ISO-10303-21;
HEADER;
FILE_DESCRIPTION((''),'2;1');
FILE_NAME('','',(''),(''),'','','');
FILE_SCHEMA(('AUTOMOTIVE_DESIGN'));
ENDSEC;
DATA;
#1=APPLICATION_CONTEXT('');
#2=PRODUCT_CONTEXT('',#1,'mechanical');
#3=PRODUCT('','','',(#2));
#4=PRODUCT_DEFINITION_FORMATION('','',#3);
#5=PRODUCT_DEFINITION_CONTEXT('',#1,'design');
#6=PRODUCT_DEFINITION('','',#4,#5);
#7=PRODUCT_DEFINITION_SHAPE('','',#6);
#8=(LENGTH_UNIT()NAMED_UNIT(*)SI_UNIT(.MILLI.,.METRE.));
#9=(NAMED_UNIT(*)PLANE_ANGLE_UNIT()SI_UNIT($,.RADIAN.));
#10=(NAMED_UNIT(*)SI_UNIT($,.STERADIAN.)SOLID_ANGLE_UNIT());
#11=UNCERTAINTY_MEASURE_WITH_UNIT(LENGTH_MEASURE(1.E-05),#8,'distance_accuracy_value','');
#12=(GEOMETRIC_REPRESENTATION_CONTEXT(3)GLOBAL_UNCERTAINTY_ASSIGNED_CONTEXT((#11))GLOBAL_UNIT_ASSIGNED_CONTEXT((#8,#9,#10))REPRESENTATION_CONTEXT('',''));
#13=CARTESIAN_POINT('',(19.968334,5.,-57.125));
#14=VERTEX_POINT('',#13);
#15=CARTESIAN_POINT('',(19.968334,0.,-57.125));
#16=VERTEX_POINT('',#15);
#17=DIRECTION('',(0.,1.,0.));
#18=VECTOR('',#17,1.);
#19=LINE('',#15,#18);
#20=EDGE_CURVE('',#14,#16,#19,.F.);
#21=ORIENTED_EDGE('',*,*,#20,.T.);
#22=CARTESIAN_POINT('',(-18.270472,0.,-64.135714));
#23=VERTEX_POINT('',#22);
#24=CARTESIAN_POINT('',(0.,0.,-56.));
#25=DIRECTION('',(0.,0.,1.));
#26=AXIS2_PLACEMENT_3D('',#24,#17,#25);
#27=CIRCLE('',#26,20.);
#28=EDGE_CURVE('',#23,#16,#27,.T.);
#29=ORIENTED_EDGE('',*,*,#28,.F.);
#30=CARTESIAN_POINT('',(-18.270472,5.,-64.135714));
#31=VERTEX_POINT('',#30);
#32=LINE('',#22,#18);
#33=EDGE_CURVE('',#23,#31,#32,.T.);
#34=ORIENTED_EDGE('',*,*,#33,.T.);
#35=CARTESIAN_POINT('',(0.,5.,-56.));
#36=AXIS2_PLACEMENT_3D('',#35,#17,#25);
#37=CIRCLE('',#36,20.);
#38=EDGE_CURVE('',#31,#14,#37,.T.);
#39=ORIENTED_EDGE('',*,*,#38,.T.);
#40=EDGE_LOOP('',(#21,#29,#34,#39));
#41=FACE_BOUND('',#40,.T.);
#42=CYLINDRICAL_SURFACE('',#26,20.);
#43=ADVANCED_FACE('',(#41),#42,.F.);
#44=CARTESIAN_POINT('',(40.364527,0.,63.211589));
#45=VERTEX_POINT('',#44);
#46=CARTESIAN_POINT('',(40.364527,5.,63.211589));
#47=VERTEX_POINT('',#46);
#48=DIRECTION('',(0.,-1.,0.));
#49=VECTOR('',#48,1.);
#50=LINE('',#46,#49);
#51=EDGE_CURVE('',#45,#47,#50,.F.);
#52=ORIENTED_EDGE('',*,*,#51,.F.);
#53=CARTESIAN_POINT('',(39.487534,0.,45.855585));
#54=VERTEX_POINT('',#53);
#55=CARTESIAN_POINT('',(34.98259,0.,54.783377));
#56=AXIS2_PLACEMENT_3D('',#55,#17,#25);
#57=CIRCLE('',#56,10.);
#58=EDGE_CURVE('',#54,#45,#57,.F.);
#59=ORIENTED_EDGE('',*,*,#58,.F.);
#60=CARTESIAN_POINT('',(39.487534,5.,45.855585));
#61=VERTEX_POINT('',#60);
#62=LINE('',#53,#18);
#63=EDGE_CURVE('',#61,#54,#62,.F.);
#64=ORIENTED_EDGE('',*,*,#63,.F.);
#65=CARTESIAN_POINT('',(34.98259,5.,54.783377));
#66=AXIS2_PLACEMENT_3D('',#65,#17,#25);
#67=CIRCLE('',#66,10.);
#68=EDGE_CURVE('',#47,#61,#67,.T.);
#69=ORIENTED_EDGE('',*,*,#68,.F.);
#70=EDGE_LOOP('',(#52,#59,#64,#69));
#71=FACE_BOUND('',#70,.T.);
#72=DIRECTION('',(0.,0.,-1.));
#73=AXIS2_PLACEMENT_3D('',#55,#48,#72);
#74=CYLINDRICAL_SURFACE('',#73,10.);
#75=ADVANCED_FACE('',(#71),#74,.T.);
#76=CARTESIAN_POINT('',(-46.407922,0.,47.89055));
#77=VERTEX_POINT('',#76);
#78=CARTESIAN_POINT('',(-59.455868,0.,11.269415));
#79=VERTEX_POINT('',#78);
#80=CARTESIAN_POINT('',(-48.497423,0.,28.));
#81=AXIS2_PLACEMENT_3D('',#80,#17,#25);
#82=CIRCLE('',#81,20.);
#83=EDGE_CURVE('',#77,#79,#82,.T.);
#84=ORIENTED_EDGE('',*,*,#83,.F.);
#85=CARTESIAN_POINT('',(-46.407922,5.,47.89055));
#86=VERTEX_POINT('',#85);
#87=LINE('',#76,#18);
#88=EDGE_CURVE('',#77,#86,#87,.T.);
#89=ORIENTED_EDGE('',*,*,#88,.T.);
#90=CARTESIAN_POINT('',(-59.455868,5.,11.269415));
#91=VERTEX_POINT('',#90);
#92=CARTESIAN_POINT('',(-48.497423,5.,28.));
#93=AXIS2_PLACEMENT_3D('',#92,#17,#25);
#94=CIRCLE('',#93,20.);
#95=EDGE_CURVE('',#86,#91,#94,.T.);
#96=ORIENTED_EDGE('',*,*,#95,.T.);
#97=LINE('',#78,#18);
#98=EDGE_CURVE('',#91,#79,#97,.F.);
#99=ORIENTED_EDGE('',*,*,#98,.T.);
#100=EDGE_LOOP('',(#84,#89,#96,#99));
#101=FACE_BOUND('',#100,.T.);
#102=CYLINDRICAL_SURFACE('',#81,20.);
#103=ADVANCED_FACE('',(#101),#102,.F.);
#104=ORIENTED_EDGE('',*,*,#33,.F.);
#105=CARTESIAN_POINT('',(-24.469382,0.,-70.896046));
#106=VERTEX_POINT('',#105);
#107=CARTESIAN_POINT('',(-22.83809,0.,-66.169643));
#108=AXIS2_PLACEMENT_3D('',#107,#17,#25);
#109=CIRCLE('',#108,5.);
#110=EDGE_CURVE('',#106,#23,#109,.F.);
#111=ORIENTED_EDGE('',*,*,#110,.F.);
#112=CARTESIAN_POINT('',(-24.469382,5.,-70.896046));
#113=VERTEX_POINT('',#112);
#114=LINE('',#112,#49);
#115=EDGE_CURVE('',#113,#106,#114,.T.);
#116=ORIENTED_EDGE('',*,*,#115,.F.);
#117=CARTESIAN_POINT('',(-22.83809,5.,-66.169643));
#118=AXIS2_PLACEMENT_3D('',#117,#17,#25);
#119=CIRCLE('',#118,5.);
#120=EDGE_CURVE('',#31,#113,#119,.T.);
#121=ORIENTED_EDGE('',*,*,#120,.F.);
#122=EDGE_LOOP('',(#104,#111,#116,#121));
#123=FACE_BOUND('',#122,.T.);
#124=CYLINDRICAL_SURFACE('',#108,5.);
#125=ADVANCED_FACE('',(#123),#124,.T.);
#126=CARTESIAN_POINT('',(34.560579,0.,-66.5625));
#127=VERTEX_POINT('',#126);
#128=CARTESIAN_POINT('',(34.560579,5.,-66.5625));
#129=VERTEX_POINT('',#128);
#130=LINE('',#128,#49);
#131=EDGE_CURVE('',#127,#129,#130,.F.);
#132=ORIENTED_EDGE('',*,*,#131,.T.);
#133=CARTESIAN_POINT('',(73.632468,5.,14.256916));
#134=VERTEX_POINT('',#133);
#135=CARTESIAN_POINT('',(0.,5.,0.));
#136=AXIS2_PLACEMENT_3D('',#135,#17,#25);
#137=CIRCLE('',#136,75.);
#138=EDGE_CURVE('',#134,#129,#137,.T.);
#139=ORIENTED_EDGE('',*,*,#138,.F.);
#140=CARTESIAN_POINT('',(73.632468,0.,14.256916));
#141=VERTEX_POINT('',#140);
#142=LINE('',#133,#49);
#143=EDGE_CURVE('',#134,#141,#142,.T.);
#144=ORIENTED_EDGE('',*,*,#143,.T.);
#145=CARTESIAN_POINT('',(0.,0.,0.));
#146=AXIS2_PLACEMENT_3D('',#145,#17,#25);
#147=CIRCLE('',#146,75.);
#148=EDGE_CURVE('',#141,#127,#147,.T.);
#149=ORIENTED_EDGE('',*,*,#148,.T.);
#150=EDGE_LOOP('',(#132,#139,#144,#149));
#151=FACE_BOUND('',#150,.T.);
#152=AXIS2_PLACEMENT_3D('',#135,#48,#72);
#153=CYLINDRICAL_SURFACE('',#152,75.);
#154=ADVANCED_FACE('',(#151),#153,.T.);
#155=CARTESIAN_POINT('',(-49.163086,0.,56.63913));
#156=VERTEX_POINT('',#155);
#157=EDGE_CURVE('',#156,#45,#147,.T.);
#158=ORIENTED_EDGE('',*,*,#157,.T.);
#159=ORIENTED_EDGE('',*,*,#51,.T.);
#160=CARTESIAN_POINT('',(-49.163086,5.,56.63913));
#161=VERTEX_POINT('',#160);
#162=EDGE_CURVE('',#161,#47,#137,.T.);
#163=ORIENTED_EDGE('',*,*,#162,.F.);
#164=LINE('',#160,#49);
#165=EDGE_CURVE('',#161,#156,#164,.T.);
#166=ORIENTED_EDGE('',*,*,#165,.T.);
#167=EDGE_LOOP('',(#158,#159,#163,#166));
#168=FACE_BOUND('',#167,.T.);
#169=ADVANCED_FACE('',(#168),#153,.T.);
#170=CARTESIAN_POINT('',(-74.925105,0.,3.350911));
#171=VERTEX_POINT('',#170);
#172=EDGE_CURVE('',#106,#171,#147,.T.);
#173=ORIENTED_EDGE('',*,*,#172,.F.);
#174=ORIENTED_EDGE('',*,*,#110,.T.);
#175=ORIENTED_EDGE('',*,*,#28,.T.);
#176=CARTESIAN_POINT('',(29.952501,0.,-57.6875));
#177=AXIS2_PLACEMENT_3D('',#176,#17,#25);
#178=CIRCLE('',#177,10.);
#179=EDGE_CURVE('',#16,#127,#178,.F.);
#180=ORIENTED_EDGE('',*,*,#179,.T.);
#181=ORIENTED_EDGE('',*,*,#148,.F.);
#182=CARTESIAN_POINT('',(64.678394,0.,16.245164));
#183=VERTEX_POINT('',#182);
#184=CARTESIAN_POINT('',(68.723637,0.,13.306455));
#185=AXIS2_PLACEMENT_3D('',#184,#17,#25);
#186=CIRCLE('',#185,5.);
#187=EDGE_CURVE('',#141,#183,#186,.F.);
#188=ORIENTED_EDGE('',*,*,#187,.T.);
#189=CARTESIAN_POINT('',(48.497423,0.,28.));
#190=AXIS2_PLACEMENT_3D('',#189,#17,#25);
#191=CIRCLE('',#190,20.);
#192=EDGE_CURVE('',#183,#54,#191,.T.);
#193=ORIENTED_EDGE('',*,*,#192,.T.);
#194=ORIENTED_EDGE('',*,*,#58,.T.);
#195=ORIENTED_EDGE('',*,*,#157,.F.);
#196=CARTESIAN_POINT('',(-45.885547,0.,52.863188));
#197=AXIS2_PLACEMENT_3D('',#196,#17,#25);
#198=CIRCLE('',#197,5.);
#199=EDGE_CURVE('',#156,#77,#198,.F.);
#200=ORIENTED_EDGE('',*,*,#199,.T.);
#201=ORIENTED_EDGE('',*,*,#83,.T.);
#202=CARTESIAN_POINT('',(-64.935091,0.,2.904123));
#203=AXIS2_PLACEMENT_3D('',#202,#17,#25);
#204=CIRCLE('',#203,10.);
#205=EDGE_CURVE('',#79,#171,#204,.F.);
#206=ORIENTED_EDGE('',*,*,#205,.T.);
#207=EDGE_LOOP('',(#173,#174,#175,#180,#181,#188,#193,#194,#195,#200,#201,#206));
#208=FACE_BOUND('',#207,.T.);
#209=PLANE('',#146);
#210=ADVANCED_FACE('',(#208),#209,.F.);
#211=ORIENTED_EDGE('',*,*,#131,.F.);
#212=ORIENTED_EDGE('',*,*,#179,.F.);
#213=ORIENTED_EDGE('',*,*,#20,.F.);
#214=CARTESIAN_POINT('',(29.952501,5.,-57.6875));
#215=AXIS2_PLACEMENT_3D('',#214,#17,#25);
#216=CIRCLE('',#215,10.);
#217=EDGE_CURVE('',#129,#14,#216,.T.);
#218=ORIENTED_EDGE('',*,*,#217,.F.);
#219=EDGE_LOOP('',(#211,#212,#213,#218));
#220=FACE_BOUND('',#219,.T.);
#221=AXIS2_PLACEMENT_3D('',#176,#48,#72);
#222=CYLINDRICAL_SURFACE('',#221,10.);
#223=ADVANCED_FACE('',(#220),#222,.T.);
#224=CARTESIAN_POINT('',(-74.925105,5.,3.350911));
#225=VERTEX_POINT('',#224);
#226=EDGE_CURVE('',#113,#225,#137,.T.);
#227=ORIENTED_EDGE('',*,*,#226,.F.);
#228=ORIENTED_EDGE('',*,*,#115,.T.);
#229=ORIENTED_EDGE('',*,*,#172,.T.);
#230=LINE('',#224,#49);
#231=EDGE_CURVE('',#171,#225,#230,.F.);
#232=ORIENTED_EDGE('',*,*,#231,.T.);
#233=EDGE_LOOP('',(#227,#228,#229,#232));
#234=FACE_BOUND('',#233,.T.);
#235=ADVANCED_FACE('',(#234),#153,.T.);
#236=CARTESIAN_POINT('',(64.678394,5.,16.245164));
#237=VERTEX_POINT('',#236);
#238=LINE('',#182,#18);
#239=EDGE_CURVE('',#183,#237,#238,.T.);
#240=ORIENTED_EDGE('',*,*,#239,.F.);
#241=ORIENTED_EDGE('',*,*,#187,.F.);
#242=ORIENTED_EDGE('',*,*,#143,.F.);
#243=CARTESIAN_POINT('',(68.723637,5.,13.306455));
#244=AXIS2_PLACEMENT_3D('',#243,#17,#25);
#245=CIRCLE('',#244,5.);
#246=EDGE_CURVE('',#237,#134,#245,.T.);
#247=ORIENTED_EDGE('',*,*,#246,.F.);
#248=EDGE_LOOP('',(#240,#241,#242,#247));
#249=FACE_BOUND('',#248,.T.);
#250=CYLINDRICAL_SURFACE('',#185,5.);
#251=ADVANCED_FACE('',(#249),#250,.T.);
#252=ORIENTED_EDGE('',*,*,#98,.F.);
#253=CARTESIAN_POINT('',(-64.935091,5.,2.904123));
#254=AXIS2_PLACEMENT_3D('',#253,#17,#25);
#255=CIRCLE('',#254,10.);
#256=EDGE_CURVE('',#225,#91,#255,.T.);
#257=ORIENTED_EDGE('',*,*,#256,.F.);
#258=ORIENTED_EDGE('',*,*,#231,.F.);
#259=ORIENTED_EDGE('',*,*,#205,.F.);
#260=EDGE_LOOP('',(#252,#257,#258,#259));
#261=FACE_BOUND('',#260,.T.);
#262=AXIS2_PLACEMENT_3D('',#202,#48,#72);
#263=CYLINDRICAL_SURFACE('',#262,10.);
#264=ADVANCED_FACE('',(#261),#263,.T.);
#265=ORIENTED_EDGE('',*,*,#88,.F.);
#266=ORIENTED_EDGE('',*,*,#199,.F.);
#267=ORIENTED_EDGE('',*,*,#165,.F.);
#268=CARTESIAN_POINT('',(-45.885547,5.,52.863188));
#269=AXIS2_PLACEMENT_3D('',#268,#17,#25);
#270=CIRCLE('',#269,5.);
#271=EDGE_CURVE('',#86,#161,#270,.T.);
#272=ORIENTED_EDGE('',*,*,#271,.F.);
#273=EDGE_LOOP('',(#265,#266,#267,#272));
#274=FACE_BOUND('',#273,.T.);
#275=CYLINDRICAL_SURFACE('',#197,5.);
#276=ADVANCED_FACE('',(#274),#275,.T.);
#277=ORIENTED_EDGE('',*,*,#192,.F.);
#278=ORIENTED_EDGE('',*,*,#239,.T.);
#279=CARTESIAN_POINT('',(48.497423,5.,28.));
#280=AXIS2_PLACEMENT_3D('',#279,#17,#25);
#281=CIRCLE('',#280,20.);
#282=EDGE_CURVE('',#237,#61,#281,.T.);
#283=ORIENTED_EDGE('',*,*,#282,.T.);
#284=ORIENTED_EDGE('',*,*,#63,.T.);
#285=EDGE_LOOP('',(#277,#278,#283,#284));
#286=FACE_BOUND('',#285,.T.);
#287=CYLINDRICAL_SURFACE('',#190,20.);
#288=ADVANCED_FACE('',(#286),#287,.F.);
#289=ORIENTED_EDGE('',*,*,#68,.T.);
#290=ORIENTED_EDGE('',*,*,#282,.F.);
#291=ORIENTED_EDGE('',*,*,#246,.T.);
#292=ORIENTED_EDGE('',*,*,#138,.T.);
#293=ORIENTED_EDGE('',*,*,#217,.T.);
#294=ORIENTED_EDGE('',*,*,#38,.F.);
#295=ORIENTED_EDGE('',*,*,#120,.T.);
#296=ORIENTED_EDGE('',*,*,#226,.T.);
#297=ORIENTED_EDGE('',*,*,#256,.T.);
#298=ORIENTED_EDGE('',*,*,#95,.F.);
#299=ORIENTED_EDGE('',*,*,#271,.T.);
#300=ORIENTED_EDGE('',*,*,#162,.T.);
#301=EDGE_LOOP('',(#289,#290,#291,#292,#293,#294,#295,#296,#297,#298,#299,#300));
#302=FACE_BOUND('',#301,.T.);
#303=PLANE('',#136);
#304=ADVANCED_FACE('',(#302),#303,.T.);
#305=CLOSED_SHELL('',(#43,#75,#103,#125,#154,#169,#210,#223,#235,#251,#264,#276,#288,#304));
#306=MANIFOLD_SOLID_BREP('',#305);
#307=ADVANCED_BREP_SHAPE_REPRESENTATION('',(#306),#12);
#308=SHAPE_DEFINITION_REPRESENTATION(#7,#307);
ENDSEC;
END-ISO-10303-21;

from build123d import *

# Parameters (mm, degrees)
SKETCH2_R           = 75
BOSS_EXTRUDE2_DEPTH = 5
SKETCH3_R           = 20
CUT_EXTRUDE2_DEPTH  = 107.183802908
FILLET2_R           = 10
FILLET3_R           = 5


with BuildPart() as part:
    # Sketch2 → Boss-Extrude2 (new body)
    with BuildSketch(Plane(origin=(0, 0, 0), x_dir=(1, 0, 0), z_dir=(0, 1, 0))):
        with Locations(Location((0, 0, 0), (0, 0, 270))):
            Circle(SKETCH2_R)
    extrude(amount=BOSS_EXTRUDE2_DEPTH)

    # Sketch3 → Cut-Extrude2 (cut, through all)
    with BuildSketch(Plane(origin=(0, 5, 0), x_dir=(1, 0, 0), z_dir=(0, 1, 0))):
        with Locations((0, 56)):
            Circle(SKETCH3_R)
        with Locations((48.497422612, -28)):
            Circle(SKETCH3_R)
        with Locations((-48.497422612, -28)):
            Circle(SKETCH3_R)
    extrude(amount=-CUT_EXTRUDE2_DEPTH, mode=Mode.SUBTRACT)

    # Fillet2
    fillet2_edges = [part.edges().sort_by_distance(p)[0] for p in [
        (7.218787271, 2.5, -74.651785714),
        (61.040949231, 2.5, 43.577546019),
        (-68.259736502, 2.5, 31.074239696),
    ]]
    fillet(fillet2_edges, radius=FILLET2_R)

    # Fillet3
    fillet3_edges = [part.edges().sort_by_distance(p)[0] for p in [
        (-7.218787271, 2.5, -74.651785714),
        (68.259736502, 2.5, 31.074239696),
        (-61.040949231, 2.5, 43.577546019),
    ]]
    fillet(fillet3_edges, radius=FILLET3_R)


solid = part.part
